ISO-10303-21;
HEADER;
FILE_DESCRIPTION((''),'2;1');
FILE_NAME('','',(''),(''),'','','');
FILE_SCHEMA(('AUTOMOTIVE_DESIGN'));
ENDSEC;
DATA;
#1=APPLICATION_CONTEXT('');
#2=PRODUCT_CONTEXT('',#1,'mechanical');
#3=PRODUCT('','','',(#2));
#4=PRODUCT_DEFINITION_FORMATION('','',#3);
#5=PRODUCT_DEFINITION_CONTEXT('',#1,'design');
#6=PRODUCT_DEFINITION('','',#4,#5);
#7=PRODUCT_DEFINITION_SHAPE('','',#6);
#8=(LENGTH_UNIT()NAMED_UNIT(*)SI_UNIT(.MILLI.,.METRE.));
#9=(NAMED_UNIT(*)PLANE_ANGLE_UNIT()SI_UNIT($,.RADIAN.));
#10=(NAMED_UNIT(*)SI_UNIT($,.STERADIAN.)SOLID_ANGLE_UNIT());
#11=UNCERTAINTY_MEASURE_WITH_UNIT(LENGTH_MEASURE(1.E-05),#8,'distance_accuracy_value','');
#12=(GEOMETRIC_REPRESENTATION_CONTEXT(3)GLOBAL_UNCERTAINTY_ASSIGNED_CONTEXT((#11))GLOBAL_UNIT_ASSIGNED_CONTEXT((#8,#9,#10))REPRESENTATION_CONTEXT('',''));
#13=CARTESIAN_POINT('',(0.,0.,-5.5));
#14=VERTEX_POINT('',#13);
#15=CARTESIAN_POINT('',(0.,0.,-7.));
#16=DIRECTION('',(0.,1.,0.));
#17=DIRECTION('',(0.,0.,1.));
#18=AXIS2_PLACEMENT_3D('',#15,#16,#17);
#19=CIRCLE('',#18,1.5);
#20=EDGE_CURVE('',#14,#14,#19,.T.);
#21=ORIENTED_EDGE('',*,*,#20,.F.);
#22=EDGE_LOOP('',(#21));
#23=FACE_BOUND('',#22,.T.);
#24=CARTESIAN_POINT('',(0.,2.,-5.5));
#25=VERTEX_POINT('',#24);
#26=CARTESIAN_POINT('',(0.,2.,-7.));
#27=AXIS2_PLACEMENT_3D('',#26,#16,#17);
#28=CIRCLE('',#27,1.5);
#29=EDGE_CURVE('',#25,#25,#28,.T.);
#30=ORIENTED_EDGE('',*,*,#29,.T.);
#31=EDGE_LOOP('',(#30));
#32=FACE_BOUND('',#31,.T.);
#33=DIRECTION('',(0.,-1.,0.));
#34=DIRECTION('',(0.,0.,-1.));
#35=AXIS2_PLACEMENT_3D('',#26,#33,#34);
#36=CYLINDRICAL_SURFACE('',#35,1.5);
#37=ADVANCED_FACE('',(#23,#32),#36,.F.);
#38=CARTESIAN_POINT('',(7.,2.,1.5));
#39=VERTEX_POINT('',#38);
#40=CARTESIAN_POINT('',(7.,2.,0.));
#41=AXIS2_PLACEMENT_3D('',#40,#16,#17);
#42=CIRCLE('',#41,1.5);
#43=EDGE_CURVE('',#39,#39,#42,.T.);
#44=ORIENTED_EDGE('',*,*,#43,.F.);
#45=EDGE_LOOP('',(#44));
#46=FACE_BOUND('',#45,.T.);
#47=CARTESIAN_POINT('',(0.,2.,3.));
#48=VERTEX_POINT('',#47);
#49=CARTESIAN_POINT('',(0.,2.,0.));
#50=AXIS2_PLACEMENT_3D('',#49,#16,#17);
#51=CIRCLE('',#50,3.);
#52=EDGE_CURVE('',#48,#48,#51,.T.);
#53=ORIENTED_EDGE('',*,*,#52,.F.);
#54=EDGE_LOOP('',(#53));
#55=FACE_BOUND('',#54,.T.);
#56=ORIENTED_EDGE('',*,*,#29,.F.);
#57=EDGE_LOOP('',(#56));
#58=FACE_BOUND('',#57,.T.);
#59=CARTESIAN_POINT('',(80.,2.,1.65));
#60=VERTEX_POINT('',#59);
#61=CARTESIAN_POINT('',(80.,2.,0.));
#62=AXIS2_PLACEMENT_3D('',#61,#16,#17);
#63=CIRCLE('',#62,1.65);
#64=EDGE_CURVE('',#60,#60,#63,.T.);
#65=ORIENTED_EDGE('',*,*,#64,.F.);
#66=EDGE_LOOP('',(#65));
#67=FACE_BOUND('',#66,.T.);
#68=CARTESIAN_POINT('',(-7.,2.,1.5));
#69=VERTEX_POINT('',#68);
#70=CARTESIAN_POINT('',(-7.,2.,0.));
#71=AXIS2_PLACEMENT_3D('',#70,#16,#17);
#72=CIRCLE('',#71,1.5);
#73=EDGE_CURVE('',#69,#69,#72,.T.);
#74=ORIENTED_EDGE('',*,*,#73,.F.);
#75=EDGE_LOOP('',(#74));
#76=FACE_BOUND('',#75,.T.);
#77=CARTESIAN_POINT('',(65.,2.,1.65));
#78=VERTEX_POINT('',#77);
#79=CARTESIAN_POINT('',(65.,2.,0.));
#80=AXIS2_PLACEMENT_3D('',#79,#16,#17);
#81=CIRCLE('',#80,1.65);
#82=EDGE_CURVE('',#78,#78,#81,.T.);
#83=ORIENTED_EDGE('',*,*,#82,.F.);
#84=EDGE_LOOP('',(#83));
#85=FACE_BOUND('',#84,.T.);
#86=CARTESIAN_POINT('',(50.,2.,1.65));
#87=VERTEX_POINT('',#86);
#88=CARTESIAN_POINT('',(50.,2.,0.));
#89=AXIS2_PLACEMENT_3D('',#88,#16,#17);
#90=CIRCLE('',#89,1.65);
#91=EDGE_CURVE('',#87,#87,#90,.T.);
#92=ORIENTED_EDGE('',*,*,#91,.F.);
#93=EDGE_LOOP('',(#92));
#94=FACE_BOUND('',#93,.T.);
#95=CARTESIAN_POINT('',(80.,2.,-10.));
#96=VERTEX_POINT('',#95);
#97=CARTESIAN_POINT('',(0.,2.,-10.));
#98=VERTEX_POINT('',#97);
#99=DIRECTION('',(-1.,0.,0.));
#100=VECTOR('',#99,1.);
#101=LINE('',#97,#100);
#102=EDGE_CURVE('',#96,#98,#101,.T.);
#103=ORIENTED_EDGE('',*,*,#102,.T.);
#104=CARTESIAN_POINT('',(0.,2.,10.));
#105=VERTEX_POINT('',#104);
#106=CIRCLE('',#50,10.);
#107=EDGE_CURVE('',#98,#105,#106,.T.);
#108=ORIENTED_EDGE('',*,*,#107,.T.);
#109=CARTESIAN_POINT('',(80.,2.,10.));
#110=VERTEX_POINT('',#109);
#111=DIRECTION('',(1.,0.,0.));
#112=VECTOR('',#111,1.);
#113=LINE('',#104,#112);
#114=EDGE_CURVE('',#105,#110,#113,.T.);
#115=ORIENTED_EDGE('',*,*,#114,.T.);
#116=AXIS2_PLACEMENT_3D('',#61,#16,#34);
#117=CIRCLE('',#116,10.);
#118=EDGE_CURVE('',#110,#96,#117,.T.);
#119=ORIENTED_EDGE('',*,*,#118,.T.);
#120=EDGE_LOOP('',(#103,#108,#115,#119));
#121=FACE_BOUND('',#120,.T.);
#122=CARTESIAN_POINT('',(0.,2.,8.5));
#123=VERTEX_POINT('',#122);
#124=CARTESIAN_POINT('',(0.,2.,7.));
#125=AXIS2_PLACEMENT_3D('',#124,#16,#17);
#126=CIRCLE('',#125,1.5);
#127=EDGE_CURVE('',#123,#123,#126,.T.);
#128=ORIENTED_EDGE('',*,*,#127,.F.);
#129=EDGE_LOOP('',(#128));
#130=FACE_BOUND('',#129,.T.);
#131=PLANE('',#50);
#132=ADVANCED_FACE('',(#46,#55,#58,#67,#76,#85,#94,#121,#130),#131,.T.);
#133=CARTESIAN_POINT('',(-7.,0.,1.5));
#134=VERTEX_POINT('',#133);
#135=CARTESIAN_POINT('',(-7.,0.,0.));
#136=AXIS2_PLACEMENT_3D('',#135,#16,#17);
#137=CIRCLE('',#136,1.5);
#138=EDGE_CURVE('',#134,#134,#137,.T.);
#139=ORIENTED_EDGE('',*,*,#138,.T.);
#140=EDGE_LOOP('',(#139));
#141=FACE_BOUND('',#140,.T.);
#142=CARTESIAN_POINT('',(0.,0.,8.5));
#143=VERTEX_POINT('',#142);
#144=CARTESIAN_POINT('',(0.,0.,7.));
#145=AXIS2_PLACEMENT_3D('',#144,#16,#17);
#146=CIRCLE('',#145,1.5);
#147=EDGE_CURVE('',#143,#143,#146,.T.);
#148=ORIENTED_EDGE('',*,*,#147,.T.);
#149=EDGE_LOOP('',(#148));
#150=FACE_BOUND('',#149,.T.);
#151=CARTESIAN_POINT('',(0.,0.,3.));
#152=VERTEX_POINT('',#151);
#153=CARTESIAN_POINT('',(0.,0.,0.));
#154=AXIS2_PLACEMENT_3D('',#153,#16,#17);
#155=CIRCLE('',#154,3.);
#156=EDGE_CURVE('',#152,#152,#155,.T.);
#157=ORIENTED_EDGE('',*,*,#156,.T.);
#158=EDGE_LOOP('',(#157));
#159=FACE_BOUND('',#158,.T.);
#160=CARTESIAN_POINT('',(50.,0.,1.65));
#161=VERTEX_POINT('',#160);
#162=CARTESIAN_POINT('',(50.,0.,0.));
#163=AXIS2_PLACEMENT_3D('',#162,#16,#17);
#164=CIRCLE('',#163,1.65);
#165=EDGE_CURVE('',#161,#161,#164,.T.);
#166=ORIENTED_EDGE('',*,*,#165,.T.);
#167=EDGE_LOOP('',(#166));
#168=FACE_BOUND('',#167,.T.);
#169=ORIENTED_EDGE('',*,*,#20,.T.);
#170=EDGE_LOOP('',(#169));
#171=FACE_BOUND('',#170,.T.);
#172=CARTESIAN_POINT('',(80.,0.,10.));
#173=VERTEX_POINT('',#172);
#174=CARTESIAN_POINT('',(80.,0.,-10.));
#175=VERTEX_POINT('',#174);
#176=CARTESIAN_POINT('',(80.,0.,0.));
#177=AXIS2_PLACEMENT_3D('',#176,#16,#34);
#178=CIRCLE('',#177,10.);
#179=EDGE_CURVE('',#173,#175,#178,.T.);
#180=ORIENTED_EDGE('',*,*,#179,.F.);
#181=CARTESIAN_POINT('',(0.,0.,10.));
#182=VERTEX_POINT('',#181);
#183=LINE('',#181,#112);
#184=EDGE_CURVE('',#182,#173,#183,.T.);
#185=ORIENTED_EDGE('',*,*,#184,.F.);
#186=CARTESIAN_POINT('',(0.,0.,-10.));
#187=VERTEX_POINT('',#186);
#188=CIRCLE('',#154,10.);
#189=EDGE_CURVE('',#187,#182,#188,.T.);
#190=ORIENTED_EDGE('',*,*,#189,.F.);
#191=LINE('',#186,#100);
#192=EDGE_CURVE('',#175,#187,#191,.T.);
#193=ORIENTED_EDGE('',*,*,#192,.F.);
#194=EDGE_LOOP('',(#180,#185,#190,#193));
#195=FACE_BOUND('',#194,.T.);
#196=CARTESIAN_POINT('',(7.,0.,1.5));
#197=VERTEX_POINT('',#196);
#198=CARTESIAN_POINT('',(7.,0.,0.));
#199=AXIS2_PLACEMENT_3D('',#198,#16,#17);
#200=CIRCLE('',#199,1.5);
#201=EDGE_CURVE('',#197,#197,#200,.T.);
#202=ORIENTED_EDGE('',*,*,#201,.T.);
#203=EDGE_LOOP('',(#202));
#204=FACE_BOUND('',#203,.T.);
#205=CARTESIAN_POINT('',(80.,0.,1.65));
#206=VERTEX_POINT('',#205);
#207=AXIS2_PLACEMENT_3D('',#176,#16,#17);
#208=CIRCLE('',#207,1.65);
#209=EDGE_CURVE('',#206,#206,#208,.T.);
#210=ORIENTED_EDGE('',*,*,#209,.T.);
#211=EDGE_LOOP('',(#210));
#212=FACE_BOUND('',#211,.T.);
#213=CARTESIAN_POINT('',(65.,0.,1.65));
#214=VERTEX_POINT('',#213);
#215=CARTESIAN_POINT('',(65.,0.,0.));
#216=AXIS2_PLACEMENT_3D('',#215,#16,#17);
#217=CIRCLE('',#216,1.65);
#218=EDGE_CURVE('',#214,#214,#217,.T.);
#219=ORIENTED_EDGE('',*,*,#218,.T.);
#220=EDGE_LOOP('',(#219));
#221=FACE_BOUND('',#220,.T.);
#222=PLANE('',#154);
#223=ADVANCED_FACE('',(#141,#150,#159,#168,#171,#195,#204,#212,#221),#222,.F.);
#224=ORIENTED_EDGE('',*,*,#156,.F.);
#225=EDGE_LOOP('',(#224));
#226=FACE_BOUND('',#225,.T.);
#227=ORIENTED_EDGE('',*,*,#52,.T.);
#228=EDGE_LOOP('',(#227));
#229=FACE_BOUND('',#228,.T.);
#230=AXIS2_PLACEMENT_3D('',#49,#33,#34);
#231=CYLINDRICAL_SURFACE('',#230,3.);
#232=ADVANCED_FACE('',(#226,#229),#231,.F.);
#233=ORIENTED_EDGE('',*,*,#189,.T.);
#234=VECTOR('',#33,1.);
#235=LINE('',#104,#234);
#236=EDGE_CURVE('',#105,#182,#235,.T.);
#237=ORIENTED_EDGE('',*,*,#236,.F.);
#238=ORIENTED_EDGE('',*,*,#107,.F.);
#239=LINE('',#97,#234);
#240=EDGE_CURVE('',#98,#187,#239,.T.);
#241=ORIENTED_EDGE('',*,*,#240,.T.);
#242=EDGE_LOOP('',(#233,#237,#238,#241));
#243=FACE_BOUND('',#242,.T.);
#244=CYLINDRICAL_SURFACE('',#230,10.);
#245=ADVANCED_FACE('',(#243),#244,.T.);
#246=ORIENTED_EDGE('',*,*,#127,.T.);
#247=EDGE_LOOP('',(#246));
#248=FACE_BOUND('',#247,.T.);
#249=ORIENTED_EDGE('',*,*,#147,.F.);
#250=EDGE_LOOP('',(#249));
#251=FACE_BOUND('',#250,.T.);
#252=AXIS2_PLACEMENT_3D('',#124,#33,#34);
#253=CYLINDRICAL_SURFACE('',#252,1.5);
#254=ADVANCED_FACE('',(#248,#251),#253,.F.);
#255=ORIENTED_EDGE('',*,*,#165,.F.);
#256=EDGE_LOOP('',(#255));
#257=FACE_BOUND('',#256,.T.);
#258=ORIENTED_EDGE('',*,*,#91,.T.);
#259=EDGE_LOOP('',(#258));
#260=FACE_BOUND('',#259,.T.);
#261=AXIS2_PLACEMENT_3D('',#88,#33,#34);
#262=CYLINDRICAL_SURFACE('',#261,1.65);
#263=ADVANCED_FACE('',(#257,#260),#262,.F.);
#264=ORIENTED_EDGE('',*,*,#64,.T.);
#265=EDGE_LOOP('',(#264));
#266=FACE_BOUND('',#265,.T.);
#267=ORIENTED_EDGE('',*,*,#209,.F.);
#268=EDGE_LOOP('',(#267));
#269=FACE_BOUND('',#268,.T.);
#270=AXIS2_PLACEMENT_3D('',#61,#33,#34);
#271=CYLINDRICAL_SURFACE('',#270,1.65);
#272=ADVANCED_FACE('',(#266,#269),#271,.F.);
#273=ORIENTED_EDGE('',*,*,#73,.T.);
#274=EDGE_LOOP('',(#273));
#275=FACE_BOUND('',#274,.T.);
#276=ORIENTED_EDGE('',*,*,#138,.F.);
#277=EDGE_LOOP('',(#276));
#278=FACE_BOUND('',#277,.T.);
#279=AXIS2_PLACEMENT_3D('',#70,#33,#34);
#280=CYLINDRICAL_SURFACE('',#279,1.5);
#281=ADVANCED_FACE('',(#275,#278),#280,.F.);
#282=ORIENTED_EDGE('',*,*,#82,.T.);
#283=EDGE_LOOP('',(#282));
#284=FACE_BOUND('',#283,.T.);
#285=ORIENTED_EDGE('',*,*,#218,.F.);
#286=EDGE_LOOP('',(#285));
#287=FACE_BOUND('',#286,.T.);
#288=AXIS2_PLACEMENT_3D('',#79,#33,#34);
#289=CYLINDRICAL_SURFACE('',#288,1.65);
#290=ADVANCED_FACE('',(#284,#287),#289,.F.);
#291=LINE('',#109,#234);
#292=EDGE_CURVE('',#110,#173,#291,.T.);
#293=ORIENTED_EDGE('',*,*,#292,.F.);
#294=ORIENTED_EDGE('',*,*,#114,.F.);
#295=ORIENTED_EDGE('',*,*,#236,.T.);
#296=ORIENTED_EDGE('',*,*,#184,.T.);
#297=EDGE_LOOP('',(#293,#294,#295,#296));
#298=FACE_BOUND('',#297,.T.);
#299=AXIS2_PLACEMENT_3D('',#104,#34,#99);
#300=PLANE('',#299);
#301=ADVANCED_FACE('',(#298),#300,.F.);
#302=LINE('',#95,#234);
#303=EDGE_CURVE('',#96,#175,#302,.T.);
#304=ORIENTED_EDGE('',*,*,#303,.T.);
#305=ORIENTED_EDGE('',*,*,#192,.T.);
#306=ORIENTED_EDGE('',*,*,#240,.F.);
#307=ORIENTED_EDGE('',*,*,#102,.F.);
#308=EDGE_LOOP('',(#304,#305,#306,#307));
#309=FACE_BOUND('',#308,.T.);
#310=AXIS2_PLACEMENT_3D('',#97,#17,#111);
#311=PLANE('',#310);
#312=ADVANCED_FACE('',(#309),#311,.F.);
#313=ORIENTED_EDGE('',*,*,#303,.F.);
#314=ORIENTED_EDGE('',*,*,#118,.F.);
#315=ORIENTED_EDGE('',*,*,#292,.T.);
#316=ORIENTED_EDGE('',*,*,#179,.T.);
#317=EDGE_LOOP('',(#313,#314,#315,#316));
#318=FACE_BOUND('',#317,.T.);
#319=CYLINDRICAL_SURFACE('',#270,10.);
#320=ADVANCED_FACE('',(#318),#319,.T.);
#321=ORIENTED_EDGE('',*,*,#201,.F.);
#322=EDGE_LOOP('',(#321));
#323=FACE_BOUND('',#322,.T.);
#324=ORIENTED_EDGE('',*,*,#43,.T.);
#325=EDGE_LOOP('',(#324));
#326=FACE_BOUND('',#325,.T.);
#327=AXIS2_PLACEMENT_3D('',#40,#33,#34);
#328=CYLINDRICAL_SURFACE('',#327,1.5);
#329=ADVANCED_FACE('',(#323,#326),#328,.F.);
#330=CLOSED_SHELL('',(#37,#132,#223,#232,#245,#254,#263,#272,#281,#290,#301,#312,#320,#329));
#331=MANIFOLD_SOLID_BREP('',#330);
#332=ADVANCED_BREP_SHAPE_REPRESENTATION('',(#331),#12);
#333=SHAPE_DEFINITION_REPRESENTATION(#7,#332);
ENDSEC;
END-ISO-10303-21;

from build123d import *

# Parameters (mm, degrees)
SKETCH_1_R      = 1.5
SKETCH_1_R_2    = 1.65
SKETCH_1_R_3    = 3
EXTRUDE_1_DEPTH = 2


with BuildPart() as part:
    # Эскиз1 → Бобышка-Вытянуть1 (new body)
    with BuildSketch(Plane(origin=(0, 0, 0), x_dir=(1, 0, 0), z_dir=(0, 1, 0))):
        with BuildLine():
            Line((0, 10), (80, 10))
            ThreePointArc((80, 10), (90, 0), (80, -10))
            Line((80, -10), (0, -10))
            ThreePointArc((0, -10), (-10, 0), (0, 10))
        make_face()
        with Locations(Location((0, 7, 0), (0, 0, 270))):
            Circle(SKETCH_1_R, mode=Mode.SUBTRACT)
        with Locations(Location((7, 0, 0), (0, 0, 270))):
            Circle(SKETCH_1_R, mode=Mode.SUBTRACT)
        with Locations(Location((0, -7, 0), (0, 0, 270))):
            Circle(SKETCH_1_R, mode=Mode.SUBTRACT)
        with Locations(Location((-7, 0, 0), (0, 0, 270))):
            Circle(SKETCH_1_R, mode=Mode.SUBTRACT)
        with Locations(Location((80, 0, 0), (0, 0, 270))):
            Circle(SKETCH_1_R_2, mode=Mode.SUBTRACT)
        with Locations(Location((50, 0, 0), (0, 0, 270))):
            Circle(SKETCH_1_R_2, mode=Mode.SUBTRACT)
        with Locations(Location((65, 0, 0), (0, 0, 270))):
            Circle(SKETCH_1_R_2, mode=Mode.SUBTRACT)
        with Locations(Location((0, 0, 0), (0, 0, 270))):
            Circle(SKETCH_1_R_3, mode=Mode.SUBTRACT)
    extrude(amount=EXTRUDE_1_DEPTH)


solid = part.part
